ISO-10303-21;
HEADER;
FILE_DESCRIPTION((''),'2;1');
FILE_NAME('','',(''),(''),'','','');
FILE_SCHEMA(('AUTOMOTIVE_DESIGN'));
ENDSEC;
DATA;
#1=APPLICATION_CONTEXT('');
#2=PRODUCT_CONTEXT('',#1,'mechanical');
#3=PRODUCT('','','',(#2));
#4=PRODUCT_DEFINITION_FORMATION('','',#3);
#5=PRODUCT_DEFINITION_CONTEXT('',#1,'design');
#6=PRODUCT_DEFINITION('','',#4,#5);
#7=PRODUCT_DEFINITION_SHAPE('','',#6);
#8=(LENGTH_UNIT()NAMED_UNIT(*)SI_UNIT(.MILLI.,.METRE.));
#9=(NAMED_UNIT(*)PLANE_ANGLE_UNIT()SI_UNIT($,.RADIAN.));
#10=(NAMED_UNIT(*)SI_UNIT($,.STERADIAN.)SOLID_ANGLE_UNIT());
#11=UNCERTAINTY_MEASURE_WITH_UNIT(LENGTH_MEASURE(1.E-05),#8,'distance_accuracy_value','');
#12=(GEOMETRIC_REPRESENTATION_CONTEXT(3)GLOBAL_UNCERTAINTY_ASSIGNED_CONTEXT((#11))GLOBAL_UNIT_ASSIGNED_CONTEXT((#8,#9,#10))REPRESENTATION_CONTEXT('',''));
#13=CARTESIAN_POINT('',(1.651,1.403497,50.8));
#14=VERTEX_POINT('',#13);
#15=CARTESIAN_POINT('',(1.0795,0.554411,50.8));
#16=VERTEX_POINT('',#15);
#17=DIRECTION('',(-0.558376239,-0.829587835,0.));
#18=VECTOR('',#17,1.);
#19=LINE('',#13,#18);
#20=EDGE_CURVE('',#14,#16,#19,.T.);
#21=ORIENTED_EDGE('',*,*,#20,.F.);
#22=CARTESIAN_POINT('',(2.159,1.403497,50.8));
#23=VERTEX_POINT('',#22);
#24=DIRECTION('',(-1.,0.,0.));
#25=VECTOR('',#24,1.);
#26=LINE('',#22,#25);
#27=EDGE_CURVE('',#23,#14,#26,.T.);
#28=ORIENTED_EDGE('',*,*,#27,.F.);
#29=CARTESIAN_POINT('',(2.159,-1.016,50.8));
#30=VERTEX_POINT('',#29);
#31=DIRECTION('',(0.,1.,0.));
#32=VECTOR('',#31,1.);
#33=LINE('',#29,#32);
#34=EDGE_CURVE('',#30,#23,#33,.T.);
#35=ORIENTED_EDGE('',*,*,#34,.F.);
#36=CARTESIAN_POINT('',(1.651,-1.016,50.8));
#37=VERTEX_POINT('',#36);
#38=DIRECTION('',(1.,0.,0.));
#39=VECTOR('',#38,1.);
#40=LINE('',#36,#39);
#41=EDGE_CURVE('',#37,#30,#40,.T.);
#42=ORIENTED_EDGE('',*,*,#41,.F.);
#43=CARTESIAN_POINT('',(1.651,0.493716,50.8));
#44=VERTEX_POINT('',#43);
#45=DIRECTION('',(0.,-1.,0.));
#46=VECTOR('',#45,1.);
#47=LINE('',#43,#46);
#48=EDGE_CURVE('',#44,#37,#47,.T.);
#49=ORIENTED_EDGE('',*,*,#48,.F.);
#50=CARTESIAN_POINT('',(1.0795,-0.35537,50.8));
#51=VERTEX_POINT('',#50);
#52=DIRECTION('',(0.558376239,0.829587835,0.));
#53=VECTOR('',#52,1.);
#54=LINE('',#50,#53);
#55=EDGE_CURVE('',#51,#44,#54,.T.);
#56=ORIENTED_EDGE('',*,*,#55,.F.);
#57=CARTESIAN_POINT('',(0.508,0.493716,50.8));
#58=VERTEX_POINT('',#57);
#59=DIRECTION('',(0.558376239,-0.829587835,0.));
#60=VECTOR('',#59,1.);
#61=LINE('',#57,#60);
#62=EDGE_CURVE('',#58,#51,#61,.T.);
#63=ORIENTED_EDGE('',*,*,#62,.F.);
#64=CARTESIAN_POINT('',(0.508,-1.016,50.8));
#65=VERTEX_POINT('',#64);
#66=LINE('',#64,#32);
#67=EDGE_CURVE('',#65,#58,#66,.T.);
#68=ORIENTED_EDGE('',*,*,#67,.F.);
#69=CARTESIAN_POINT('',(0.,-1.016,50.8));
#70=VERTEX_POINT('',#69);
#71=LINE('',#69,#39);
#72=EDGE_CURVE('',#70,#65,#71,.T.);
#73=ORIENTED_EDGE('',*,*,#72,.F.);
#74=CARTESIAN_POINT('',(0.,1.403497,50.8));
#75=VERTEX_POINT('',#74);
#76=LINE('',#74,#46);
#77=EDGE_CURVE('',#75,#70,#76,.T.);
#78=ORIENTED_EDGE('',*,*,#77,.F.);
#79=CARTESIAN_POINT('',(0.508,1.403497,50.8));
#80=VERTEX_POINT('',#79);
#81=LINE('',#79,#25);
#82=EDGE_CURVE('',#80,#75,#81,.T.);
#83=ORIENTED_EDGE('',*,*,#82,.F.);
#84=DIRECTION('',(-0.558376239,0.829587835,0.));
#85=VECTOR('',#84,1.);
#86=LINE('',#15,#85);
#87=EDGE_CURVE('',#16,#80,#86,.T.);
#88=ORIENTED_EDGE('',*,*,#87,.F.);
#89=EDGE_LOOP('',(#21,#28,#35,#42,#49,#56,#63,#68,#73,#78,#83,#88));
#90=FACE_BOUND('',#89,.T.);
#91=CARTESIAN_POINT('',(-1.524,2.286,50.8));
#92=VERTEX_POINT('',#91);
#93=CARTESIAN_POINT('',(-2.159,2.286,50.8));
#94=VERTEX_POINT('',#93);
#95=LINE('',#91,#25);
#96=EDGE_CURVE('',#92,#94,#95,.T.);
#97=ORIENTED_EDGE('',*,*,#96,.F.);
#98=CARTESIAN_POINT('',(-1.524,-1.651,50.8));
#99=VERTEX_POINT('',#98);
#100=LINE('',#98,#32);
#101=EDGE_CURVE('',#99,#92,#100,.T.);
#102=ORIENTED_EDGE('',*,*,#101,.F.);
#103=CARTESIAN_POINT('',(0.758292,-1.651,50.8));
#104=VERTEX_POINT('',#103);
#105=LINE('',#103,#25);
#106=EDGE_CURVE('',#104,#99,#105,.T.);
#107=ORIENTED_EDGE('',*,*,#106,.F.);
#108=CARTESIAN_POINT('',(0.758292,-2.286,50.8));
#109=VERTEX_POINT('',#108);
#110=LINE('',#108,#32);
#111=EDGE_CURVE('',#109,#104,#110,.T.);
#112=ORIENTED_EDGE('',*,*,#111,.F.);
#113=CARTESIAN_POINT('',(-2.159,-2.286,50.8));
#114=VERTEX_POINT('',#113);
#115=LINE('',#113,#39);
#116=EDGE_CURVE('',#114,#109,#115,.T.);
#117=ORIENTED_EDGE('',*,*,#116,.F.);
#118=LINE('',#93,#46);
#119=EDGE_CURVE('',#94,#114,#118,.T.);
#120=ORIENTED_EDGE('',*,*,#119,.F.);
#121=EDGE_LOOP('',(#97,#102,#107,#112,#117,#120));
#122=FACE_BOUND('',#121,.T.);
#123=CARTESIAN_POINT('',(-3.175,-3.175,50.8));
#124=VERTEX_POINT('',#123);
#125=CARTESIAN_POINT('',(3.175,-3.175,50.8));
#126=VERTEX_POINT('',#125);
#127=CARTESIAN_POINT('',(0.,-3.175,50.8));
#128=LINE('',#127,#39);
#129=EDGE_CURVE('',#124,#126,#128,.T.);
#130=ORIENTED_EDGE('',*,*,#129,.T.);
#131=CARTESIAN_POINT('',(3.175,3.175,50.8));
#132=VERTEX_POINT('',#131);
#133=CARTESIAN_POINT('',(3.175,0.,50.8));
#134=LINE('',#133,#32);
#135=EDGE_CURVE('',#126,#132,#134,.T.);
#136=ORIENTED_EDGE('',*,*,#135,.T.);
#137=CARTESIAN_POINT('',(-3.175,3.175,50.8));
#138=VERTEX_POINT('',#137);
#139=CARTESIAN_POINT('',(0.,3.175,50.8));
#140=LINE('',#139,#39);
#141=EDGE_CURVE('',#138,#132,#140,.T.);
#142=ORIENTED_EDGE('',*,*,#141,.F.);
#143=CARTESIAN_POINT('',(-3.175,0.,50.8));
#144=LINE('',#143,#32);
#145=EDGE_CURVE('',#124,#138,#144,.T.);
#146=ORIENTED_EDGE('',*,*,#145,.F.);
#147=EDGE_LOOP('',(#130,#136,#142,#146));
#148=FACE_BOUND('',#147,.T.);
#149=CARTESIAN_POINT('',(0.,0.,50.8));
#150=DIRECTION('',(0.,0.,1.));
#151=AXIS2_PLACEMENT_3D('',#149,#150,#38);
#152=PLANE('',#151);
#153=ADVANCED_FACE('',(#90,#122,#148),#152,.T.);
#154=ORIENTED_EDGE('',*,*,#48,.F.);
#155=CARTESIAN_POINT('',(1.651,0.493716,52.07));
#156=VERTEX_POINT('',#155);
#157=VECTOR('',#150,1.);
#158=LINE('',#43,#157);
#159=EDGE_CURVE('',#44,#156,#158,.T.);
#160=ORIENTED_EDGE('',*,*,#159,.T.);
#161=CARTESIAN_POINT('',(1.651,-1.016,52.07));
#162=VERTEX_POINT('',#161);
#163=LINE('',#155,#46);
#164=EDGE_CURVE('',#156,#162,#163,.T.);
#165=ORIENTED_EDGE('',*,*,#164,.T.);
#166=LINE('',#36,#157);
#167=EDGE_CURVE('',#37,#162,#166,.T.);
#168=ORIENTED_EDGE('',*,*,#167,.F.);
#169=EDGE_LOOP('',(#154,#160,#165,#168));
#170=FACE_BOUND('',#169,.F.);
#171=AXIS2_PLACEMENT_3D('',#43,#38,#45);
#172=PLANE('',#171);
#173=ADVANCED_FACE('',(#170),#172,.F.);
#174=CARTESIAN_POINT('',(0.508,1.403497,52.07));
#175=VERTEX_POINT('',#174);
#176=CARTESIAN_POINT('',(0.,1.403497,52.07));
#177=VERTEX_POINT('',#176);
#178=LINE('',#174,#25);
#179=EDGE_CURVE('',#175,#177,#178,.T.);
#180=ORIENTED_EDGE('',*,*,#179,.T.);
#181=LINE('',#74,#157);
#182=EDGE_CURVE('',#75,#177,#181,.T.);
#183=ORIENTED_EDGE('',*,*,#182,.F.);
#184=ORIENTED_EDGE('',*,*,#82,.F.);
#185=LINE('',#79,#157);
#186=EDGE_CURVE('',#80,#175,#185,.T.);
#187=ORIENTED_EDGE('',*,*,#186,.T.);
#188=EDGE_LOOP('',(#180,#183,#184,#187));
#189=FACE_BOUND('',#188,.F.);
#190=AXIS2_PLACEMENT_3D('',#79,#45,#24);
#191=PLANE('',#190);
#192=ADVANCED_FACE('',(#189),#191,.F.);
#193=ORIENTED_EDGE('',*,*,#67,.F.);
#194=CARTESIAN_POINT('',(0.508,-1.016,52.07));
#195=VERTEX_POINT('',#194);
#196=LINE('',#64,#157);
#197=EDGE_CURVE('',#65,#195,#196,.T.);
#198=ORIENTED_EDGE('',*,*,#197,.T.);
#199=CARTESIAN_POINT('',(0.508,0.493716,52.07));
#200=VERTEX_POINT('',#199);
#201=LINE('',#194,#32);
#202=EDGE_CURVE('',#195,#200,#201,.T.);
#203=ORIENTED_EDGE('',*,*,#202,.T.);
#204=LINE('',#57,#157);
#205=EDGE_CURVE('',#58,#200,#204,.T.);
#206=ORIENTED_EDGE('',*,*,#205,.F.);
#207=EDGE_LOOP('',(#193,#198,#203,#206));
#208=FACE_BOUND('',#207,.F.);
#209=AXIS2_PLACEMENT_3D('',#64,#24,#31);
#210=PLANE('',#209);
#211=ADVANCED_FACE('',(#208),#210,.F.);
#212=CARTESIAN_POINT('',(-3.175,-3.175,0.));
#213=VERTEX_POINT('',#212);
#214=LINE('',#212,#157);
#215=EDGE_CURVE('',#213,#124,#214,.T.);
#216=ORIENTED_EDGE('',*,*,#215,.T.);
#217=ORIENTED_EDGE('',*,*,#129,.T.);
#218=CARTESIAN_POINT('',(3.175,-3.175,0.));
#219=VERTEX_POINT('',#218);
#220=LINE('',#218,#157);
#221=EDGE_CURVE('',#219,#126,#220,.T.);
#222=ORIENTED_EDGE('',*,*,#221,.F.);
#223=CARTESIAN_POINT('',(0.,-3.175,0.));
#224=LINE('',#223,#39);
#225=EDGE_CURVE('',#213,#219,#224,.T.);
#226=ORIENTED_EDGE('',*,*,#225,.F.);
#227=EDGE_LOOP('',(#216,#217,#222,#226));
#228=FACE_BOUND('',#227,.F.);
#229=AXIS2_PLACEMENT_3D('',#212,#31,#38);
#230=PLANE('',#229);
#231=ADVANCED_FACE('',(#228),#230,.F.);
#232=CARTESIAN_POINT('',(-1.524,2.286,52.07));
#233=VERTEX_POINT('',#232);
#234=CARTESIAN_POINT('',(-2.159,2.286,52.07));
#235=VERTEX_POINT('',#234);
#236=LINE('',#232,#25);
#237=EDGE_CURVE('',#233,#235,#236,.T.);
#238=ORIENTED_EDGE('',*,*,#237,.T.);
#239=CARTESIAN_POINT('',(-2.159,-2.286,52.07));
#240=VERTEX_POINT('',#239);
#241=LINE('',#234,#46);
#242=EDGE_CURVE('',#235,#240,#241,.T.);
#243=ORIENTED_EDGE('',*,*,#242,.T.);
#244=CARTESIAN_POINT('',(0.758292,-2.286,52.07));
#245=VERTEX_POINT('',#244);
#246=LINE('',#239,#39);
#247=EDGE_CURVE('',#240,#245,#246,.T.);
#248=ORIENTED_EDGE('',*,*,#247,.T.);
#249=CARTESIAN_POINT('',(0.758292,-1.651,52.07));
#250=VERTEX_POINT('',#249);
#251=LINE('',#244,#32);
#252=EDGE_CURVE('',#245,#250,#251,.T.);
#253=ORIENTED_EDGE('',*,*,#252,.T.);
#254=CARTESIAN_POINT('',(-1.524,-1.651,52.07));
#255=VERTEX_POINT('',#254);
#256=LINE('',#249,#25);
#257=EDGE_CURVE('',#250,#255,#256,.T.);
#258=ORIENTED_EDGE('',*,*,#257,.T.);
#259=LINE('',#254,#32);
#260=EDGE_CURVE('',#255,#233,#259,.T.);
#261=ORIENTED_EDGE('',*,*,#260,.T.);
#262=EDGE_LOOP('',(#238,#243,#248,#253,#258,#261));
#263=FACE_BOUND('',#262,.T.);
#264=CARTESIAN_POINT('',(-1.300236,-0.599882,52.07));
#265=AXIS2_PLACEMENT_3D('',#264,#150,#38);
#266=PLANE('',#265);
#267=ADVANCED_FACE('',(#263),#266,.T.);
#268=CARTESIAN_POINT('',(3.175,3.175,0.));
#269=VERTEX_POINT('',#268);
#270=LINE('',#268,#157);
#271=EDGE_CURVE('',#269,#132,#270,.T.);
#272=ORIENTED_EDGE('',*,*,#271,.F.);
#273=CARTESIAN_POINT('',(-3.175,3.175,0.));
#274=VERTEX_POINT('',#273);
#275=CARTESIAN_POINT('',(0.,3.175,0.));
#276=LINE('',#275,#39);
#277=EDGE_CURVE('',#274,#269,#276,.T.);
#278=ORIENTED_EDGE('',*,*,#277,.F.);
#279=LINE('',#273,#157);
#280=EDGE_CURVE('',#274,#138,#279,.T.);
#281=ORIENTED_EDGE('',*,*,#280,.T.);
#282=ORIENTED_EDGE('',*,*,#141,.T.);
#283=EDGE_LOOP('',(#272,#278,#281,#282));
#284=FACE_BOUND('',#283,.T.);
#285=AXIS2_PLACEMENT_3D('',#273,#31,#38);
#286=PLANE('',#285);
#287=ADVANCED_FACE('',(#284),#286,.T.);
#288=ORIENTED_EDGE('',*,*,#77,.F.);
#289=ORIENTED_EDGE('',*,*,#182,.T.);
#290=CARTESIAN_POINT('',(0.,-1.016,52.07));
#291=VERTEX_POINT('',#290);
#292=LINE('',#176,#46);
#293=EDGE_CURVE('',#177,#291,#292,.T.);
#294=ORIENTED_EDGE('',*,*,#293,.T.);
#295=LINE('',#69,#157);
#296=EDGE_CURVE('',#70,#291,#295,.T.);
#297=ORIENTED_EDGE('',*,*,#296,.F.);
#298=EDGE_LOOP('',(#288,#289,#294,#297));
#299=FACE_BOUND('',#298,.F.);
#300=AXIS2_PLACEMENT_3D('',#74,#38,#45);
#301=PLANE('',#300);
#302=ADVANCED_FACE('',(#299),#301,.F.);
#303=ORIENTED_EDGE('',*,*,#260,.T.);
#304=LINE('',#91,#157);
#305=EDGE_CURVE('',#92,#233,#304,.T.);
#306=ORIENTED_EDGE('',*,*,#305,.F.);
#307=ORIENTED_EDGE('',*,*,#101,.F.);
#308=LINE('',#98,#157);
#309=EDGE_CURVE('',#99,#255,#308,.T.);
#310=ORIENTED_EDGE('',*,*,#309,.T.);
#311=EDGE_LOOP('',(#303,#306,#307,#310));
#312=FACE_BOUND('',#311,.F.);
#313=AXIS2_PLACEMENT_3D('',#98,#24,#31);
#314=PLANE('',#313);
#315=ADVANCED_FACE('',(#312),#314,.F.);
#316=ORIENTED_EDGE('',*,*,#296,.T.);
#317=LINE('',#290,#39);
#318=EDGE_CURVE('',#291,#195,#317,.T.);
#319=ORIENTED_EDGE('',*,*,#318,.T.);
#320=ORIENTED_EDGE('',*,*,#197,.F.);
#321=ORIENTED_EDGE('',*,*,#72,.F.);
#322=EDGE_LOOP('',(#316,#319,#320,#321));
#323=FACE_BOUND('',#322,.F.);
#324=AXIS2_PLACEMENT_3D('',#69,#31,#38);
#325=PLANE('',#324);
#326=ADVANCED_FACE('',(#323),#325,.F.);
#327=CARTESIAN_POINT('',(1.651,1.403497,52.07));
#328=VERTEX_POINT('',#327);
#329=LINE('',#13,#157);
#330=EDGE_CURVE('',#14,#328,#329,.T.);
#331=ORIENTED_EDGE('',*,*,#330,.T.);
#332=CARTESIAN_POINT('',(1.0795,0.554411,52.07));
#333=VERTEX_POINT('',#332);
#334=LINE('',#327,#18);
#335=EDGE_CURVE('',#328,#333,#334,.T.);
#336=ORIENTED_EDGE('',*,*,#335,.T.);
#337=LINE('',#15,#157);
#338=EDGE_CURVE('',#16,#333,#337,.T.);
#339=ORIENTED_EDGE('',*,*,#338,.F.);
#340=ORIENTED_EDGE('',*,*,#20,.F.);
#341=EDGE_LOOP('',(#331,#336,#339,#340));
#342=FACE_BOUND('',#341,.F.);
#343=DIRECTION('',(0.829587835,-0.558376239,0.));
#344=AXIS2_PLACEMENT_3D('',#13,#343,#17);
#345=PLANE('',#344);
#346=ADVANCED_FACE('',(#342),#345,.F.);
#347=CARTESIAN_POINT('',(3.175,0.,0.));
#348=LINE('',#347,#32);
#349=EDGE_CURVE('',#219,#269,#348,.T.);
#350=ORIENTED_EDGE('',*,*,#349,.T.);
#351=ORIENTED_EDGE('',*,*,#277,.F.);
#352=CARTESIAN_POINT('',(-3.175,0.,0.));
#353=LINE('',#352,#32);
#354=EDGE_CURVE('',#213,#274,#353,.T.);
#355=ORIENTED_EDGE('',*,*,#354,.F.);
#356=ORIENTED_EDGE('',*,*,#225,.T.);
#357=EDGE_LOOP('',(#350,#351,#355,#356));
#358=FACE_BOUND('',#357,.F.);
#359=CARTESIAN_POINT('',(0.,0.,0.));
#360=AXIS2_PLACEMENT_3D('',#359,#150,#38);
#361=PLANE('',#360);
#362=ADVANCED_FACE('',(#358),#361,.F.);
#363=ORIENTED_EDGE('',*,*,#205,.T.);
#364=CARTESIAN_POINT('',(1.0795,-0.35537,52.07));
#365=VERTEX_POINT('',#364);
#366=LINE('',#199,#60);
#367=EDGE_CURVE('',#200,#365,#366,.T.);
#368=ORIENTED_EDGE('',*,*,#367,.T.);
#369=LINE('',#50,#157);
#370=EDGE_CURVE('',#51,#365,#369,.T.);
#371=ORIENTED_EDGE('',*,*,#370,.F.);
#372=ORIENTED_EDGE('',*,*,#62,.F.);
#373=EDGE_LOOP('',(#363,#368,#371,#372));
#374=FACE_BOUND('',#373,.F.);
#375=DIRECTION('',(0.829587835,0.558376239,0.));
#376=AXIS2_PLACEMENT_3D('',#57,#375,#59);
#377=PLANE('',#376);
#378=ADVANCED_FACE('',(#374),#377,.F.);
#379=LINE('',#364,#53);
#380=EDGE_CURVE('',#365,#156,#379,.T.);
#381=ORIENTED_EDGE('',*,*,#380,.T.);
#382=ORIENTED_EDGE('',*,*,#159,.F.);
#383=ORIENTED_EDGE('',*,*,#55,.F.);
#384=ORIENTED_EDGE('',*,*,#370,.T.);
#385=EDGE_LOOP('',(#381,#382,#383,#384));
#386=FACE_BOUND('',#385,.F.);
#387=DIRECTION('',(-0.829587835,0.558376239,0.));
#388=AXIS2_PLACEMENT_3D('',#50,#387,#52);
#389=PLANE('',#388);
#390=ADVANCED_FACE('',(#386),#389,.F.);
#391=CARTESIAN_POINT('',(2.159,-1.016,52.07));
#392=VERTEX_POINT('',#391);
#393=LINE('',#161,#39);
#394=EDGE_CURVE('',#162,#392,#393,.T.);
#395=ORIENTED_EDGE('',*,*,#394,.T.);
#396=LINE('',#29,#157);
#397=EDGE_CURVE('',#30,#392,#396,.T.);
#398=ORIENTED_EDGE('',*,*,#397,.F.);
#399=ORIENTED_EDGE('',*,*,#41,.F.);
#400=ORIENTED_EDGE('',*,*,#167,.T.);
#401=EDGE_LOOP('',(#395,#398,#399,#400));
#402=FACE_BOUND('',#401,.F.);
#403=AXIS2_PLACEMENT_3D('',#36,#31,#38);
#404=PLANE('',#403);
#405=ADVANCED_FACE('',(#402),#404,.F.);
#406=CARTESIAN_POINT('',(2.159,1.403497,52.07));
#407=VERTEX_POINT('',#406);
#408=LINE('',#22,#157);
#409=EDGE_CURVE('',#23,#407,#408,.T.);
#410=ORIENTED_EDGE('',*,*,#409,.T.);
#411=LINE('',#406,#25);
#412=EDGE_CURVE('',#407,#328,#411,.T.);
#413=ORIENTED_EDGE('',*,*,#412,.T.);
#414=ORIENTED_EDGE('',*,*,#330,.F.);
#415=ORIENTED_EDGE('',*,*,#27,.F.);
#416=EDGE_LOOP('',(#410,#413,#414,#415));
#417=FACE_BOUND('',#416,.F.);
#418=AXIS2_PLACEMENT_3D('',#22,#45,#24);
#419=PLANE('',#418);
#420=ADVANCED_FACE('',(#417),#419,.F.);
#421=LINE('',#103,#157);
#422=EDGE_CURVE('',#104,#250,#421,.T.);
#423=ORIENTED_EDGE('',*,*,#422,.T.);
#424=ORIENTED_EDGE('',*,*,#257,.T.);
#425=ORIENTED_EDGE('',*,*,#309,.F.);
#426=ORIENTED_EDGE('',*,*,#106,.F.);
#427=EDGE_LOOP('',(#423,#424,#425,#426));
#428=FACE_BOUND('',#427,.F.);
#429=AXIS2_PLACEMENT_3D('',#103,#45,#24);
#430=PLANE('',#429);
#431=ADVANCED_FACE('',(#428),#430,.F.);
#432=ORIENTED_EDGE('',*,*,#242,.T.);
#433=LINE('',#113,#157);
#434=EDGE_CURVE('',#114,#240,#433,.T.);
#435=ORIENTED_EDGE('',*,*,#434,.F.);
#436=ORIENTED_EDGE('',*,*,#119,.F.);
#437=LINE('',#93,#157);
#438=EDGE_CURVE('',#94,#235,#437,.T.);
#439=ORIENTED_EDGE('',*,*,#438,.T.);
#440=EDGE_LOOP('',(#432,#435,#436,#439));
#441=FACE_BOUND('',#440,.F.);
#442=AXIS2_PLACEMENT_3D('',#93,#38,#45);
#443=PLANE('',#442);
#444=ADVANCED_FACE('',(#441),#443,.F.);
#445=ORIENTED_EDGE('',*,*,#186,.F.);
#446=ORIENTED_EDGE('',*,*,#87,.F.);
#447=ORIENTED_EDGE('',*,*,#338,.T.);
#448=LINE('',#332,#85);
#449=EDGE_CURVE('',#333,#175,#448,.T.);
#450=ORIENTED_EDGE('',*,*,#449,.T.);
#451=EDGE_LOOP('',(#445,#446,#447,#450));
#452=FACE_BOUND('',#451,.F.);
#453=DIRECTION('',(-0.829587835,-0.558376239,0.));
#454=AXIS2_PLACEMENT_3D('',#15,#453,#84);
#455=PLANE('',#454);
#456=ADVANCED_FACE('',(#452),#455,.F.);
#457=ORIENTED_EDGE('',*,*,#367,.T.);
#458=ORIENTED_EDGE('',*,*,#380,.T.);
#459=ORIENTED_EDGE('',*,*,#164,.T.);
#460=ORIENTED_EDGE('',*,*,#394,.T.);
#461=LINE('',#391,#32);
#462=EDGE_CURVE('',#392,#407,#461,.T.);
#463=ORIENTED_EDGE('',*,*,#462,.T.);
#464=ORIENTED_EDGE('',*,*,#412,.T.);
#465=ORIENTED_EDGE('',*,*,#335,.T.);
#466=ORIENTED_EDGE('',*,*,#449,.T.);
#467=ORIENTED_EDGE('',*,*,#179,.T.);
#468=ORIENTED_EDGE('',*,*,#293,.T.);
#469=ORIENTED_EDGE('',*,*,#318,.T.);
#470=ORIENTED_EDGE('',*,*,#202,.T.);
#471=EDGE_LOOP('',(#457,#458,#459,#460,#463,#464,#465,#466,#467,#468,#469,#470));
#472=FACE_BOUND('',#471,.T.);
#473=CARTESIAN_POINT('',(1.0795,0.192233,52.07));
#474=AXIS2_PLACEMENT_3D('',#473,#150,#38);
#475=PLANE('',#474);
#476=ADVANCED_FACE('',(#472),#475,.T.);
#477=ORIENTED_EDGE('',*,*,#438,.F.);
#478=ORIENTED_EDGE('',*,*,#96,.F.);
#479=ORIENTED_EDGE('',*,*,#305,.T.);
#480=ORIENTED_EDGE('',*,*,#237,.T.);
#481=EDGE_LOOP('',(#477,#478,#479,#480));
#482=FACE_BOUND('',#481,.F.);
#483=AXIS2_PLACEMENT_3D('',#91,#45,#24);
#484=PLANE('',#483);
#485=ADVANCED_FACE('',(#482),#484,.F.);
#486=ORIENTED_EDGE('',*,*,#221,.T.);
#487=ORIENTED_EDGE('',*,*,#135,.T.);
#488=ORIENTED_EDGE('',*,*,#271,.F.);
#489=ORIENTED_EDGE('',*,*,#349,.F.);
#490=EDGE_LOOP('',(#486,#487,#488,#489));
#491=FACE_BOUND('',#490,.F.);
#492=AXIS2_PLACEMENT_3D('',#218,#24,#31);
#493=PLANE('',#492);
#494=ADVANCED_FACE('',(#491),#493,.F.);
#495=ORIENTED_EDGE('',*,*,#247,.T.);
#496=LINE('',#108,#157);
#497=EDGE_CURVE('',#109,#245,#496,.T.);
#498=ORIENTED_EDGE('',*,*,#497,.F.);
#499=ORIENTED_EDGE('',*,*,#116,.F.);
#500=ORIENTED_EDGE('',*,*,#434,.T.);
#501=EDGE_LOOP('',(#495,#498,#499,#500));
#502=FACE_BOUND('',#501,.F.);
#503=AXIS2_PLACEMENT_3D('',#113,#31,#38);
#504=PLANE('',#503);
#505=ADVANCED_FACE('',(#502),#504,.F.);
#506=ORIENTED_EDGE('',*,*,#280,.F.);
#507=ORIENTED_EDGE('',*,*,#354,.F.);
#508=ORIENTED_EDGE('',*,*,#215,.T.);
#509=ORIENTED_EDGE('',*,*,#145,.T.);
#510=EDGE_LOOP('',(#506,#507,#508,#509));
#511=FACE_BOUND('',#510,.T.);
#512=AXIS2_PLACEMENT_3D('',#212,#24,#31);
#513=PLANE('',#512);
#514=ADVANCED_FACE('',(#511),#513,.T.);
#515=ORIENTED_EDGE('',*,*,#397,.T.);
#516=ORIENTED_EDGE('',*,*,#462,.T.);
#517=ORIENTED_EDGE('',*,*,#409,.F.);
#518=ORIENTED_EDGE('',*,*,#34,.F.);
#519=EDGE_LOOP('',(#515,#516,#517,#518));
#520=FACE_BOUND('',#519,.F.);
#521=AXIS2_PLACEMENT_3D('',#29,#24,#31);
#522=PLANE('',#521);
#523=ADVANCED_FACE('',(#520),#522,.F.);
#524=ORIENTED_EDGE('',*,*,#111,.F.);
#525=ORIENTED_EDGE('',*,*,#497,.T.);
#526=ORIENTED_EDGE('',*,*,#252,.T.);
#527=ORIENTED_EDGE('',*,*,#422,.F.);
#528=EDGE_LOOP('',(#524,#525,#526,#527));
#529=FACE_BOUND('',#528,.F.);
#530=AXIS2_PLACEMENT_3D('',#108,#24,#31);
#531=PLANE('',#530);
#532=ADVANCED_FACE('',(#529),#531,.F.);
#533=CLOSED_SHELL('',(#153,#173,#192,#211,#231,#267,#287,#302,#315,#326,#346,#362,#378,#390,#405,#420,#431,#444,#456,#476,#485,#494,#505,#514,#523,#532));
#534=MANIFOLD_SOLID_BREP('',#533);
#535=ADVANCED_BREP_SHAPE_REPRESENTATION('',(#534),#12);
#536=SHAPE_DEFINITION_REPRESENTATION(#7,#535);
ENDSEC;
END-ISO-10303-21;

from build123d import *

# Parameters (mm, degrees)
F0_W     = 6.35
F0_H     = 6.35
F1_DEPTH = 50.8
F3_DEPTH = 1.27


with BuildPart() as f1:
    # F0 (on Top) → F1 (new body)
    with BuildSketch(Plane.XY):
        Rectangle(F0_W, F0_H)
    extrude(amount=F1_DEPTH)

    # F2 (on face) → F3 (join)
    with BuildSketch(Plane.XY.offset(50.8)):
        Polygon((0, 1.403497), (0, 0), (0, -1.016), (0.508, -1.016), (0.508, 0.493716), (1.0795, -0.35537), (1.651, 0.493716), (1.651, -1.016), (2.159, -1.016), (2.159, 1.403497), (1.651, 1.403497), (1.0795, 0.554411), (0.508, 1.403497), align=None)
        Polygon((-1.524, 2.286), (-2.159, 2.286), (-2.159, -2.286), (0.758292, -2.286), (0.758292, -1.651), (-1.524, -1.651), align=None)
    extrude(amount=F3_DEPTH)


solid = f1.part
